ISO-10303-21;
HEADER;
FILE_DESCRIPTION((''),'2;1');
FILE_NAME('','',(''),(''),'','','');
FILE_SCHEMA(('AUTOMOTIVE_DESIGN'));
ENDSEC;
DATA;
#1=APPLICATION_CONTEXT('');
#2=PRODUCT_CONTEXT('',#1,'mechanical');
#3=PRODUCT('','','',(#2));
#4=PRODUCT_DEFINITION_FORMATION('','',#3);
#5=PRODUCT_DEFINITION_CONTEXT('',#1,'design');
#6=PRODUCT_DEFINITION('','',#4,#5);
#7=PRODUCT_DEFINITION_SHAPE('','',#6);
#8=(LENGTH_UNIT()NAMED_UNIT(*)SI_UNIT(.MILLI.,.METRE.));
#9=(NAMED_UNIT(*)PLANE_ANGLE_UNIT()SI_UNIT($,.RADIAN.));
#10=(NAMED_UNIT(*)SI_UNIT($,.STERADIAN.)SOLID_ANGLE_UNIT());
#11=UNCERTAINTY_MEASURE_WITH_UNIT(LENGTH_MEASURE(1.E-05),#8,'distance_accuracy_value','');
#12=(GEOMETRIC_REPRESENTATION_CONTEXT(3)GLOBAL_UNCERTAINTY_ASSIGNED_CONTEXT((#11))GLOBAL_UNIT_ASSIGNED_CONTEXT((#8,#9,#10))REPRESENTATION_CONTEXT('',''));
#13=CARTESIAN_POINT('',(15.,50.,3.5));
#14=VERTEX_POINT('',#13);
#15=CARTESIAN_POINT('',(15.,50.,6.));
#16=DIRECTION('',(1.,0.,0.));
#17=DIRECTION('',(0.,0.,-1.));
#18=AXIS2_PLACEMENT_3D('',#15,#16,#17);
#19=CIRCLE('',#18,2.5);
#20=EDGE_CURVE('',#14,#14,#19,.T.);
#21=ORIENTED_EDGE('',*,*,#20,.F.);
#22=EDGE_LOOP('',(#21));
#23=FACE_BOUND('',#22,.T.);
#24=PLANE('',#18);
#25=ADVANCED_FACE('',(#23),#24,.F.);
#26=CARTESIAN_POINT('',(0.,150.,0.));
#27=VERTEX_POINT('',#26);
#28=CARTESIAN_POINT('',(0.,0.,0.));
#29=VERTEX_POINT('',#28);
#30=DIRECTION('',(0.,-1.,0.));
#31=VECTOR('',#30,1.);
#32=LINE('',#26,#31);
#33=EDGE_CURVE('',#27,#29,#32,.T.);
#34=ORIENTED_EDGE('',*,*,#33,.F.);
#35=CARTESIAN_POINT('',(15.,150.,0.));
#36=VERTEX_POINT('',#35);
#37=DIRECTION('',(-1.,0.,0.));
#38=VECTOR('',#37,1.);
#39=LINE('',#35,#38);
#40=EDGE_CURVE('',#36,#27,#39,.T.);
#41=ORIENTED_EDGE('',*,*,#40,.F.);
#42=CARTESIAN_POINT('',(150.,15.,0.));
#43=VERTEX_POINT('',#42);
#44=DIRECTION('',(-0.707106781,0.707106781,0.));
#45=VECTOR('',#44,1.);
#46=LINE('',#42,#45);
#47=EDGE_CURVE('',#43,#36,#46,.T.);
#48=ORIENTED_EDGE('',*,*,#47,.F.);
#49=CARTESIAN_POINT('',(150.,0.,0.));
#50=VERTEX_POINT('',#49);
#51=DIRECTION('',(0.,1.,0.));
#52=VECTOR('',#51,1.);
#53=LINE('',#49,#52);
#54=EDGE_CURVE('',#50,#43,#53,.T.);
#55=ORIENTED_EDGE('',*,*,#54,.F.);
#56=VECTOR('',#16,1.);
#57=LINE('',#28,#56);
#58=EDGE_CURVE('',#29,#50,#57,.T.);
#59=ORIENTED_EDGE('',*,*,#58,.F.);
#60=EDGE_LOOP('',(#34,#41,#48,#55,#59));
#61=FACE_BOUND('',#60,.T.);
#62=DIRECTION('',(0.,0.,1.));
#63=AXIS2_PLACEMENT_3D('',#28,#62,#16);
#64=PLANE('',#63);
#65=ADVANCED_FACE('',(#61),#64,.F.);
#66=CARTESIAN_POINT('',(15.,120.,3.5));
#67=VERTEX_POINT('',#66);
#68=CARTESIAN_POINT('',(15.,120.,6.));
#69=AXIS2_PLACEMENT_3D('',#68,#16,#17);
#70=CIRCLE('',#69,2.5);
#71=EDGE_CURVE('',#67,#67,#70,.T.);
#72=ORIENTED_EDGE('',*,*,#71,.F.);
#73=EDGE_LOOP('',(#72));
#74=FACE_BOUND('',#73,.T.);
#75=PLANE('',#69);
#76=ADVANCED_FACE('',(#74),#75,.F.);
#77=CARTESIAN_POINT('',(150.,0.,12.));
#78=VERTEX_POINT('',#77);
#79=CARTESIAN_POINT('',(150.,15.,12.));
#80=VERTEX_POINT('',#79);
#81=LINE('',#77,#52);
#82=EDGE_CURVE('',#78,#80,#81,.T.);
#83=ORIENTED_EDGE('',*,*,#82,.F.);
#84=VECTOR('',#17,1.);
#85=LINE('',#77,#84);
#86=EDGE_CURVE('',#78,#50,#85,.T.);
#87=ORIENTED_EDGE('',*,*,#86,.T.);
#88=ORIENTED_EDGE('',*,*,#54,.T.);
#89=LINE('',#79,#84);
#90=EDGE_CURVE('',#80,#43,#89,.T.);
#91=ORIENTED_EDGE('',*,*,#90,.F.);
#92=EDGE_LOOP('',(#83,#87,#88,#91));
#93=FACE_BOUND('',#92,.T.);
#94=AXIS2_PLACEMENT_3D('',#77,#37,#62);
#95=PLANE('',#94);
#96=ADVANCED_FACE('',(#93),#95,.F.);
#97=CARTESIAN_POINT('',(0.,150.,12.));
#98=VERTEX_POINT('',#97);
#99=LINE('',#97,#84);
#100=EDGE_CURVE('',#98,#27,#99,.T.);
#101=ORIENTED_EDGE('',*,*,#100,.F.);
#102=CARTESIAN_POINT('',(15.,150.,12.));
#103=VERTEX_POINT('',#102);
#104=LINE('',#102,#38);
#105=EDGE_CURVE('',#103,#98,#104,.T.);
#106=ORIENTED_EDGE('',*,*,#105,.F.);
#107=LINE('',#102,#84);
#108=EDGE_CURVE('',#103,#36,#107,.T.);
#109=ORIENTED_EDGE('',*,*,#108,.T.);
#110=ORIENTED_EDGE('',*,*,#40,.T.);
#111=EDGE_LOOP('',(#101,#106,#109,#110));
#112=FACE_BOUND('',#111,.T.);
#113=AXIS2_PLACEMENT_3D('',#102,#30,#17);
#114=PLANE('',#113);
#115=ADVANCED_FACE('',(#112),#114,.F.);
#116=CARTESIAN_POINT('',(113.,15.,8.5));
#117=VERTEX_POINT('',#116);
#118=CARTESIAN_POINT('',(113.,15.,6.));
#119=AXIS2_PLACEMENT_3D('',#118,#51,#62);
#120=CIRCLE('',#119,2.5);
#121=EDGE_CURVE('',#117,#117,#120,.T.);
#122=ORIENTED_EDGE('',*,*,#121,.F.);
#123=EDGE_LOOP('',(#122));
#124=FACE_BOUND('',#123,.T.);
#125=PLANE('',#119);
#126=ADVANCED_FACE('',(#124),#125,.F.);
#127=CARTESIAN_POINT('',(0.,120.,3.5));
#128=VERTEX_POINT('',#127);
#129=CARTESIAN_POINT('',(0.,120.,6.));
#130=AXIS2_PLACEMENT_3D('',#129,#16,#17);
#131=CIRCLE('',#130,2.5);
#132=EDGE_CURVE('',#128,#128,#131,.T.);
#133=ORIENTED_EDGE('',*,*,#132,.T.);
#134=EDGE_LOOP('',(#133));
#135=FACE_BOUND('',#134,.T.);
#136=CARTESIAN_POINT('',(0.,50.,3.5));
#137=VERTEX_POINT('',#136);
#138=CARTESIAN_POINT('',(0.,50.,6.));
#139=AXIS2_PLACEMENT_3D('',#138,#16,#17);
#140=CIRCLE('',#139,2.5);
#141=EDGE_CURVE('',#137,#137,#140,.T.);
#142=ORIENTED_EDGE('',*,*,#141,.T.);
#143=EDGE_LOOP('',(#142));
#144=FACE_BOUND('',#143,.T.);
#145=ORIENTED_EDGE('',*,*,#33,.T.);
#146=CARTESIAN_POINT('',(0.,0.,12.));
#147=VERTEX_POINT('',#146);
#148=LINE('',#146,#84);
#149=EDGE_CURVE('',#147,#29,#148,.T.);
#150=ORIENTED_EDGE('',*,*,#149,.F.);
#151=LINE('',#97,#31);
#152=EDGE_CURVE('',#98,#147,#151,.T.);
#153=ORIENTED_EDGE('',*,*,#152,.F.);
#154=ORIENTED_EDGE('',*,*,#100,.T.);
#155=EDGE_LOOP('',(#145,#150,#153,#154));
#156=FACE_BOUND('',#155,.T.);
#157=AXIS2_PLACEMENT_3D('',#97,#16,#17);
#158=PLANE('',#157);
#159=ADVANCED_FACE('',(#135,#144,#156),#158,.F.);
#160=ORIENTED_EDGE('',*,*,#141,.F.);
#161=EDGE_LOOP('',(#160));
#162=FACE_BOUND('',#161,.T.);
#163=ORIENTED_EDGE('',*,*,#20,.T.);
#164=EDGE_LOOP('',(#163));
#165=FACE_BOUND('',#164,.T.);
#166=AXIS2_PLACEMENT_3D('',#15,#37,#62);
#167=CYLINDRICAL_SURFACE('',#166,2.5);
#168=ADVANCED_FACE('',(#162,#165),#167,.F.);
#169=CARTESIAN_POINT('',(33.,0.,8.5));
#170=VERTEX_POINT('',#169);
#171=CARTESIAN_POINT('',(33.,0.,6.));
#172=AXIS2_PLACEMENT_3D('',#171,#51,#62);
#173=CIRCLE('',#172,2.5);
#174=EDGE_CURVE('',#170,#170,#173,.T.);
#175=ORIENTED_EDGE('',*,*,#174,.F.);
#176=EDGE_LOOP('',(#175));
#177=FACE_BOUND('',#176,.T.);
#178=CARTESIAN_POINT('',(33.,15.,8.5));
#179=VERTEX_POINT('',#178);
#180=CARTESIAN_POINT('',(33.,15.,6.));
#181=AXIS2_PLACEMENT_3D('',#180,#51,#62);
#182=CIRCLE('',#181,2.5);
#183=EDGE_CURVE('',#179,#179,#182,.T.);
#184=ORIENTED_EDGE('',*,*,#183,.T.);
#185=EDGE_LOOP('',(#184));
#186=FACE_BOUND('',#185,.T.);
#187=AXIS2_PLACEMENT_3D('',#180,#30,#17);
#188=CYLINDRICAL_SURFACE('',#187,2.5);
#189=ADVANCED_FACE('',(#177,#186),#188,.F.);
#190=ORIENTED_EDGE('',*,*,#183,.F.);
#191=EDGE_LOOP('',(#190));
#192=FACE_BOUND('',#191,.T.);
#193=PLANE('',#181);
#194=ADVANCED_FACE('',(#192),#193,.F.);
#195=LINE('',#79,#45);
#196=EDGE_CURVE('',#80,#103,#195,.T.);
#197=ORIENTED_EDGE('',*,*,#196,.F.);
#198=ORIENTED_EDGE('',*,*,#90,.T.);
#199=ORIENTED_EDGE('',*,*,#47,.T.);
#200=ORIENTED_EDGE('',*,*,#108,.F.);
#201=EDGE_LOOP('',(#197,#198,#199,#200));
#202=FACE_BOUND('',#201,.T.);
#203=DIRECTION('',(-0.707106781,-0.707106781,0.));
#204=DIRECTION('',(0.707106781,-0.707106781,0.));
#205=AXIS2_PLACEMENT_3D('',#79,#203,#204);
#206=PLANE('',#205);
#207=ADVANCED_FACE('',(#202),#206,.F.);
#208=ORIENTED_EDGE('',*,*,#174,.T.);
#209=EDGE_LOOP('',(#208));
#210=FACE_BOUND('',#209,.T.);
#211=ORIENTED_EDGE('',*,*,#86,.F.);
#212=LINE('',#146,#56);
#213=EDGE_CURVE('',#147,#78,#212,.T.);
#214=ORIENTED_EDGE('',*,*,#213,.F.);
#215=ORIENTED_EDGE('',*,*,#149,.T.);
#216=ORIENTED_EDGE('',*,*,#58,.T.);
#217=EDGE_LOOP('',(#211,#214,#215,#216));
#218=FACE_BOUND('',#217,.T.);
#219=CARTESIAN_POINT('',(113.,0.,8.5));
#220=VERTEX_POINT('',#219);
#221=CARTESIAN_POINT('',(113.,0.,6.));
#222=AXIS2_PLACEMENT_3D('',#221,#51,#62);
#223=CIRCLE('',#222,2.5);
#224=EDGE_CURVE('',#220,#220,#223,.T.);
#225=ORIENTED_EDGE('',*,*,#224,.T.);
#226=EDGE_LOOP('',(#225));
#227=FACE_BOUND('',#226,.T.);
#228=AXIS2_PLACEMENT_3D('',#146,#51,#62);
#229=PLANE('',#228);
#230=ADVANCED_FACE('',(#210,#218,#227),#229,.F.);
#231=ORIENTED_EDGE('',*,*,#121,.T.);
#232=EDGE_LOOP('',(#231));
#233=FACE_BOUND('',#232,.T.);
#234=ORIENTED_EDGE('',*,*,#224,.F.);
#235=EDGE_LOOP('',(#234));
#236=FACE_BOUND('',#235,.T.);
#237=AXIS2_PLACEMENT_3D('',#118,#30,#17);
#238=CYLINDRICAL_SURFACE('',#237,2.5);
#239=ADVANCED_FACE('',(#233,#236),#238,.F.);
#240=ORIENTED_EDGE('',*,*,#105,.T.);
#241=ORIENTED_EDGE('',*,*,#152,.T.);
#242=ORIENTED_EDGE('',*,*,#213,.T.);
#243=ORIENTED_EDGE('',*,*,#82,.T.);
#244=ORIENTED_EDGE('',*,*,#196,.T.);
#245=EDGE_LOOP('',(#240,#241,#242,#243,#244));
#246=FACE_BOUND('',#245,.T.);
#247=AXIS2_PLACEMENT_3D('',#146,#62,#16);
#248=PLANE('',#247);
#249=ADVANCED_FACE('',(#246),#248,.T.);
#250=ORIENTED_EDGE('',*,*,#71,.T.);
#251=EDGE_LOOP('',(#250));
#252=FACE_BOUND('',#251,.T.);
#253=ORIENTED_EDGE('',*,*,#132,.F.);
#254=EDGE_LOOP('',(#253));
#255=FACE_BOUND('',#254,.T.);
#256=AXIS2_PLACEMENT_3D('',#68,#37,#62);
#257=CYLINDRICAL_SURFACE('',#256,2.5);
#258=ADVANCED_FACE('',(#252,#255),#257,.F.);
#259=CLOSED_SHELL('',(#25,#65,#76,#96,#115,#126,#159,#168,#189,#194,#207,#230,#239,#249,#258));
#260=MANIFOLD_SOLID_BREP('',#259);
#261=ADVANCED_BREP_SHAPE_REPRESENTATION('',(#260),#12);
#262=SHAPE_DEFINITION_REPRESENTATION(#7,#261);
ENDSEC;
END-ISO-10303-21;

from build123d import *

# Parameters (mm, degrees)
BOSS_EXTRUDE1_DEPTH = 12
SKETCH2_R           = 2.5
CUT_EXTRUDE2_DEPTH  = 15
SKETCH3_R           = 2.5
CUT_EXTRUDE4_DEPTH  = 15


with BuildPart() as part:
    # Sketch1 → Boss-Extrude1 (new body)
    with BuildSketch(Plane.XY):
        Polygon((0, 0), (150, 0), (150, 15), (15, 150), (0, 150), align=None)
    extrude(amount=BOSS_EXTRUDE1_DEPTH)

    # Sketch2 → Cut-Extrude2 (cut)
    with BuildSketch(Plane(origin=(0, 0, 0), x_dir=(1, 0, 0), z_dir=(0, 1, 0))):
        with Locations(Location((33, -6, 0), (0, 0, 270))):
            Circle(SKETCH2_R)
        with Locations(Location((113, -6, 0), (0, 0, 270))):
            Circle(SKETCH2_R)
    extrude(amount=CUT_EXTRUDE2_DEPTH, mode=Mode.SUBTRACT)

    # Sketch3 → Cut-Extrude4 (cut)
    with BuildSketch(Plane(origin=(0, 0, 0), x_dir=(0, 0, -1), z_dir=(1, 0, 0))):
        with Locations((-6, 50)):
            Circle(SKETCH3_R)
        with Locations((-6, 120)):
            Circle(SKETCH3_R)
    extrude(amount=CUT_EXTRUDE4_DEPTH, mode=Mode.SUBTRACT)


solid = part.part
